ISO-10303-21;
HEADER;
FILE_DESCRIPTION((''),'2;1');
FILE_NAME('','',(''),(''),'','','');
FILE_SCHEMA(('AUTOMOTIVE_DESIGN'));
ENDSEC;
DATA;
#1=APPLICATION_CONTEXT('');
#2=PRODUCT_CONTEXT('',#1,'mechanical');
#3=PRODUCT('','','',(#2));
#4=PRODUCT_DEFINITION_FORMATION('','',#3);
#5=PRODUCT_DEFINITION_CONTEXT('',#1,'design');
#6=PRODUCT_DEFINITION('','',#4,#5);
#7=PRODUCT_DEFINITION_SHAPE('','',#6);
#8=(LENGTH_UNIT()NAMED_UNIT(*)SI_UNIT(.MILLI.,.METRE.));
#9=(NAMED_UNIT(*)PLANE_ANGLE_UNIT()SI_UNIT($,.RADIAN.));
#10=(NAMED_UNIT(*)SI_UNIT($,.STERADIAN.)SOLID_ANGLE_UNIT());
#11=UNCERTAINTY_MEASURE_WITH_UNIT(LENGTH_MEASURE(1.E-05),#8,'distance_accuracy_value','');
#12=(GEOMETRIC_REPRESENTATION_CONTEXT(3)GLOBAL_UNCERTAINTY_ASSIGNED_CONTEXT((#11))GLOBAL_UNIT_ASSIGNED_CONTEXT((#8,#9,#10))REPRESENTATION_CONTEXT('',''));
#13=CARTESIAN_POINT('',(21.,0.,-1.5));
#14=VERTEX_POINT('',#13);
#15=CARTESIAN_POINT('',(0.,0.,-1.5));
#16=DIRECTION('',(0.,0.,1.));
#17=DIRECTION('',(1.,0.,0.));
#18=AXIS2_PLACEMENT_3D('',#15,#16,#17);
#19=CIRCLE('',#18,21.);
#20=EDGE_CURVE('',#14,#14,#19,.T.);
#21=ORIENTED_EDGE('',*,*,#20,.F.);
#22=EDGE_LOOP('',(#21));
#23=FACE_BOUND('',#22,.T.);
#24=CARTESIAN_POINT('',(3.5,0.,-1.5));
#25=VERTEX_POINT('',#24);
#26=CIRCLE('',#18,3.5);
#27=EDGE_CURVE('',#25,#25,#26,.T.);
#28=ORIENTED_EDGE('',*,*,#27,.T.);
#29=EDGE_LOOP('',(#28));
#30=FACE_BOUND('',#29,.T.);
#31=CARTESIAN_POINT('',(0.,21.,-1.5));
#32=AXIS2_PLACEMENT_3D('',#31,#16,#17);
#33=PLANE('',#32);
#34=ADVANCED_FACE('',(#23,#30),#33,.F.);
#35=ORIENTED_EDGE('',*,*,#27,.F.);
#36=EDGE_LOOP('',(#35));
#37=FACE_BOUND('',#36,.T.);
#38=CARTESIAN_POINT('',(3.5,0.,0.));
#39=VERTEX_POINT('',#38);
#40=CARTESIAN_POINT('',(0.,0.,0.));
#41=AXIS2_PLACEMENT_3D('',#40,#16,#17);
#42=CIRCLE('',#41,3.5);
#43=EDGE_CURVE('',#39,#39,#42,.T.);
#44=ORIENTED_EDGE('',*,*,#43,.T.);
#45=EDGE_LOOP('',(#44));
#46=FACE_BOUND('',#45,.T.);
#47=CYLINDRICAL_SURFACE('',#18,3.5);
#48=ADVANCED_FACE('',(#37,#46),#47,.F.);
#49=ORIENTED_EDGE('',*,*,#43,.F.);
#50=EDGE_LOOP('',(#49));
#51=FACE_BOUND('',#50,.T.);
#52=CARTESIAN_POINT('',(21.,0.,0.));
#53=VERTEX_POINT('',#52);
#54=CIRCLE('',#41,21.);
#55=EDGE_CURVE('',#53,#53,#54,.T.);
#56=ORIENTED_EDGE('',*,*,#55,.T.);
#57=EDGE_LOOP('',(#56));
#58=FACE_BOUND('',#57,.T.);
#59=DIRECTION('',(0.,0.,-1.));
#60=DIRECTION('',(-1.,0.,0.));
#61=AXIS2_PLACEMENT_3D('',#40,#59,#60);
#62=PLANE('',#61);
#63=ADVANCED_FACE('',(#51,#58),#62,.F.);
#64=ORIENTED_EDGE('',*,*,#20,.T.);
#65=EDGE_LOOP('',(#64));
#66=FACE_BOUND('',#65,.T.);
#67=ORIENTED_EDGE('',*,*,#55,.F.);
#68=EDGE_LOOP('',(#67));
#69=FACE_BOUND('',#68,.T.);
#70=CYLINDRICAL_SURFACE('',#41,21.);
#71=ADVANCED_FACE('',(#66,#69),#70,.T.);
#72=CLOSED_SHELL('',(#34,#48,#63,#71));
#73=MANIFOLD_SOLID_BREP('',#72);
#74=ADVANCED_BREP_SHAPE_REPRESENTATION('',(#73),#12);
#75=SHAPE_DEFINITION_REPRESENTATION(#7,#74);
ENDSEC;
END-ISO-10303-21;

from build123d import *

# Parameters (mm, degrees)
CROQUIS1_W            = 1.5
CROQUIS1_H            = 21
CROQUIS2_R            = 3.5
CORTAR_EXTRUIR1_DEPTH = 30.736341402


with BuildPart() as part:
    # Croquis1 → Revolución1 (revolve)
    with BuildSketch(Plane(origin=(0, 0, 0), x_dir=(0, 0, -1), z_dir=(1, 0, 0)), mode=Mode.PRIVATE) as revoluci_n1_sk:
        with Locations((0.75, 10.5)):
            Rectangle(CROQUIS1_W, CROQUIS1_H)
    revolve(revoluci_n1_sk.sketch.rotate(Axis((0, 0, 0), (0, 0, -1)), 90), axis=Axis((0, 0, 0), (0, 0, -1)))

    # Croquis2 → Cortar-Extruir1 (cut, through all)
    with BuildSketch(Plane.XY):
        Circle(CROQUIS2_R)
    extrude(amount=-CORTAR_EXTRUIR1_DEPTH, mode=Mode.SUBTRACT)


solid = part.part
